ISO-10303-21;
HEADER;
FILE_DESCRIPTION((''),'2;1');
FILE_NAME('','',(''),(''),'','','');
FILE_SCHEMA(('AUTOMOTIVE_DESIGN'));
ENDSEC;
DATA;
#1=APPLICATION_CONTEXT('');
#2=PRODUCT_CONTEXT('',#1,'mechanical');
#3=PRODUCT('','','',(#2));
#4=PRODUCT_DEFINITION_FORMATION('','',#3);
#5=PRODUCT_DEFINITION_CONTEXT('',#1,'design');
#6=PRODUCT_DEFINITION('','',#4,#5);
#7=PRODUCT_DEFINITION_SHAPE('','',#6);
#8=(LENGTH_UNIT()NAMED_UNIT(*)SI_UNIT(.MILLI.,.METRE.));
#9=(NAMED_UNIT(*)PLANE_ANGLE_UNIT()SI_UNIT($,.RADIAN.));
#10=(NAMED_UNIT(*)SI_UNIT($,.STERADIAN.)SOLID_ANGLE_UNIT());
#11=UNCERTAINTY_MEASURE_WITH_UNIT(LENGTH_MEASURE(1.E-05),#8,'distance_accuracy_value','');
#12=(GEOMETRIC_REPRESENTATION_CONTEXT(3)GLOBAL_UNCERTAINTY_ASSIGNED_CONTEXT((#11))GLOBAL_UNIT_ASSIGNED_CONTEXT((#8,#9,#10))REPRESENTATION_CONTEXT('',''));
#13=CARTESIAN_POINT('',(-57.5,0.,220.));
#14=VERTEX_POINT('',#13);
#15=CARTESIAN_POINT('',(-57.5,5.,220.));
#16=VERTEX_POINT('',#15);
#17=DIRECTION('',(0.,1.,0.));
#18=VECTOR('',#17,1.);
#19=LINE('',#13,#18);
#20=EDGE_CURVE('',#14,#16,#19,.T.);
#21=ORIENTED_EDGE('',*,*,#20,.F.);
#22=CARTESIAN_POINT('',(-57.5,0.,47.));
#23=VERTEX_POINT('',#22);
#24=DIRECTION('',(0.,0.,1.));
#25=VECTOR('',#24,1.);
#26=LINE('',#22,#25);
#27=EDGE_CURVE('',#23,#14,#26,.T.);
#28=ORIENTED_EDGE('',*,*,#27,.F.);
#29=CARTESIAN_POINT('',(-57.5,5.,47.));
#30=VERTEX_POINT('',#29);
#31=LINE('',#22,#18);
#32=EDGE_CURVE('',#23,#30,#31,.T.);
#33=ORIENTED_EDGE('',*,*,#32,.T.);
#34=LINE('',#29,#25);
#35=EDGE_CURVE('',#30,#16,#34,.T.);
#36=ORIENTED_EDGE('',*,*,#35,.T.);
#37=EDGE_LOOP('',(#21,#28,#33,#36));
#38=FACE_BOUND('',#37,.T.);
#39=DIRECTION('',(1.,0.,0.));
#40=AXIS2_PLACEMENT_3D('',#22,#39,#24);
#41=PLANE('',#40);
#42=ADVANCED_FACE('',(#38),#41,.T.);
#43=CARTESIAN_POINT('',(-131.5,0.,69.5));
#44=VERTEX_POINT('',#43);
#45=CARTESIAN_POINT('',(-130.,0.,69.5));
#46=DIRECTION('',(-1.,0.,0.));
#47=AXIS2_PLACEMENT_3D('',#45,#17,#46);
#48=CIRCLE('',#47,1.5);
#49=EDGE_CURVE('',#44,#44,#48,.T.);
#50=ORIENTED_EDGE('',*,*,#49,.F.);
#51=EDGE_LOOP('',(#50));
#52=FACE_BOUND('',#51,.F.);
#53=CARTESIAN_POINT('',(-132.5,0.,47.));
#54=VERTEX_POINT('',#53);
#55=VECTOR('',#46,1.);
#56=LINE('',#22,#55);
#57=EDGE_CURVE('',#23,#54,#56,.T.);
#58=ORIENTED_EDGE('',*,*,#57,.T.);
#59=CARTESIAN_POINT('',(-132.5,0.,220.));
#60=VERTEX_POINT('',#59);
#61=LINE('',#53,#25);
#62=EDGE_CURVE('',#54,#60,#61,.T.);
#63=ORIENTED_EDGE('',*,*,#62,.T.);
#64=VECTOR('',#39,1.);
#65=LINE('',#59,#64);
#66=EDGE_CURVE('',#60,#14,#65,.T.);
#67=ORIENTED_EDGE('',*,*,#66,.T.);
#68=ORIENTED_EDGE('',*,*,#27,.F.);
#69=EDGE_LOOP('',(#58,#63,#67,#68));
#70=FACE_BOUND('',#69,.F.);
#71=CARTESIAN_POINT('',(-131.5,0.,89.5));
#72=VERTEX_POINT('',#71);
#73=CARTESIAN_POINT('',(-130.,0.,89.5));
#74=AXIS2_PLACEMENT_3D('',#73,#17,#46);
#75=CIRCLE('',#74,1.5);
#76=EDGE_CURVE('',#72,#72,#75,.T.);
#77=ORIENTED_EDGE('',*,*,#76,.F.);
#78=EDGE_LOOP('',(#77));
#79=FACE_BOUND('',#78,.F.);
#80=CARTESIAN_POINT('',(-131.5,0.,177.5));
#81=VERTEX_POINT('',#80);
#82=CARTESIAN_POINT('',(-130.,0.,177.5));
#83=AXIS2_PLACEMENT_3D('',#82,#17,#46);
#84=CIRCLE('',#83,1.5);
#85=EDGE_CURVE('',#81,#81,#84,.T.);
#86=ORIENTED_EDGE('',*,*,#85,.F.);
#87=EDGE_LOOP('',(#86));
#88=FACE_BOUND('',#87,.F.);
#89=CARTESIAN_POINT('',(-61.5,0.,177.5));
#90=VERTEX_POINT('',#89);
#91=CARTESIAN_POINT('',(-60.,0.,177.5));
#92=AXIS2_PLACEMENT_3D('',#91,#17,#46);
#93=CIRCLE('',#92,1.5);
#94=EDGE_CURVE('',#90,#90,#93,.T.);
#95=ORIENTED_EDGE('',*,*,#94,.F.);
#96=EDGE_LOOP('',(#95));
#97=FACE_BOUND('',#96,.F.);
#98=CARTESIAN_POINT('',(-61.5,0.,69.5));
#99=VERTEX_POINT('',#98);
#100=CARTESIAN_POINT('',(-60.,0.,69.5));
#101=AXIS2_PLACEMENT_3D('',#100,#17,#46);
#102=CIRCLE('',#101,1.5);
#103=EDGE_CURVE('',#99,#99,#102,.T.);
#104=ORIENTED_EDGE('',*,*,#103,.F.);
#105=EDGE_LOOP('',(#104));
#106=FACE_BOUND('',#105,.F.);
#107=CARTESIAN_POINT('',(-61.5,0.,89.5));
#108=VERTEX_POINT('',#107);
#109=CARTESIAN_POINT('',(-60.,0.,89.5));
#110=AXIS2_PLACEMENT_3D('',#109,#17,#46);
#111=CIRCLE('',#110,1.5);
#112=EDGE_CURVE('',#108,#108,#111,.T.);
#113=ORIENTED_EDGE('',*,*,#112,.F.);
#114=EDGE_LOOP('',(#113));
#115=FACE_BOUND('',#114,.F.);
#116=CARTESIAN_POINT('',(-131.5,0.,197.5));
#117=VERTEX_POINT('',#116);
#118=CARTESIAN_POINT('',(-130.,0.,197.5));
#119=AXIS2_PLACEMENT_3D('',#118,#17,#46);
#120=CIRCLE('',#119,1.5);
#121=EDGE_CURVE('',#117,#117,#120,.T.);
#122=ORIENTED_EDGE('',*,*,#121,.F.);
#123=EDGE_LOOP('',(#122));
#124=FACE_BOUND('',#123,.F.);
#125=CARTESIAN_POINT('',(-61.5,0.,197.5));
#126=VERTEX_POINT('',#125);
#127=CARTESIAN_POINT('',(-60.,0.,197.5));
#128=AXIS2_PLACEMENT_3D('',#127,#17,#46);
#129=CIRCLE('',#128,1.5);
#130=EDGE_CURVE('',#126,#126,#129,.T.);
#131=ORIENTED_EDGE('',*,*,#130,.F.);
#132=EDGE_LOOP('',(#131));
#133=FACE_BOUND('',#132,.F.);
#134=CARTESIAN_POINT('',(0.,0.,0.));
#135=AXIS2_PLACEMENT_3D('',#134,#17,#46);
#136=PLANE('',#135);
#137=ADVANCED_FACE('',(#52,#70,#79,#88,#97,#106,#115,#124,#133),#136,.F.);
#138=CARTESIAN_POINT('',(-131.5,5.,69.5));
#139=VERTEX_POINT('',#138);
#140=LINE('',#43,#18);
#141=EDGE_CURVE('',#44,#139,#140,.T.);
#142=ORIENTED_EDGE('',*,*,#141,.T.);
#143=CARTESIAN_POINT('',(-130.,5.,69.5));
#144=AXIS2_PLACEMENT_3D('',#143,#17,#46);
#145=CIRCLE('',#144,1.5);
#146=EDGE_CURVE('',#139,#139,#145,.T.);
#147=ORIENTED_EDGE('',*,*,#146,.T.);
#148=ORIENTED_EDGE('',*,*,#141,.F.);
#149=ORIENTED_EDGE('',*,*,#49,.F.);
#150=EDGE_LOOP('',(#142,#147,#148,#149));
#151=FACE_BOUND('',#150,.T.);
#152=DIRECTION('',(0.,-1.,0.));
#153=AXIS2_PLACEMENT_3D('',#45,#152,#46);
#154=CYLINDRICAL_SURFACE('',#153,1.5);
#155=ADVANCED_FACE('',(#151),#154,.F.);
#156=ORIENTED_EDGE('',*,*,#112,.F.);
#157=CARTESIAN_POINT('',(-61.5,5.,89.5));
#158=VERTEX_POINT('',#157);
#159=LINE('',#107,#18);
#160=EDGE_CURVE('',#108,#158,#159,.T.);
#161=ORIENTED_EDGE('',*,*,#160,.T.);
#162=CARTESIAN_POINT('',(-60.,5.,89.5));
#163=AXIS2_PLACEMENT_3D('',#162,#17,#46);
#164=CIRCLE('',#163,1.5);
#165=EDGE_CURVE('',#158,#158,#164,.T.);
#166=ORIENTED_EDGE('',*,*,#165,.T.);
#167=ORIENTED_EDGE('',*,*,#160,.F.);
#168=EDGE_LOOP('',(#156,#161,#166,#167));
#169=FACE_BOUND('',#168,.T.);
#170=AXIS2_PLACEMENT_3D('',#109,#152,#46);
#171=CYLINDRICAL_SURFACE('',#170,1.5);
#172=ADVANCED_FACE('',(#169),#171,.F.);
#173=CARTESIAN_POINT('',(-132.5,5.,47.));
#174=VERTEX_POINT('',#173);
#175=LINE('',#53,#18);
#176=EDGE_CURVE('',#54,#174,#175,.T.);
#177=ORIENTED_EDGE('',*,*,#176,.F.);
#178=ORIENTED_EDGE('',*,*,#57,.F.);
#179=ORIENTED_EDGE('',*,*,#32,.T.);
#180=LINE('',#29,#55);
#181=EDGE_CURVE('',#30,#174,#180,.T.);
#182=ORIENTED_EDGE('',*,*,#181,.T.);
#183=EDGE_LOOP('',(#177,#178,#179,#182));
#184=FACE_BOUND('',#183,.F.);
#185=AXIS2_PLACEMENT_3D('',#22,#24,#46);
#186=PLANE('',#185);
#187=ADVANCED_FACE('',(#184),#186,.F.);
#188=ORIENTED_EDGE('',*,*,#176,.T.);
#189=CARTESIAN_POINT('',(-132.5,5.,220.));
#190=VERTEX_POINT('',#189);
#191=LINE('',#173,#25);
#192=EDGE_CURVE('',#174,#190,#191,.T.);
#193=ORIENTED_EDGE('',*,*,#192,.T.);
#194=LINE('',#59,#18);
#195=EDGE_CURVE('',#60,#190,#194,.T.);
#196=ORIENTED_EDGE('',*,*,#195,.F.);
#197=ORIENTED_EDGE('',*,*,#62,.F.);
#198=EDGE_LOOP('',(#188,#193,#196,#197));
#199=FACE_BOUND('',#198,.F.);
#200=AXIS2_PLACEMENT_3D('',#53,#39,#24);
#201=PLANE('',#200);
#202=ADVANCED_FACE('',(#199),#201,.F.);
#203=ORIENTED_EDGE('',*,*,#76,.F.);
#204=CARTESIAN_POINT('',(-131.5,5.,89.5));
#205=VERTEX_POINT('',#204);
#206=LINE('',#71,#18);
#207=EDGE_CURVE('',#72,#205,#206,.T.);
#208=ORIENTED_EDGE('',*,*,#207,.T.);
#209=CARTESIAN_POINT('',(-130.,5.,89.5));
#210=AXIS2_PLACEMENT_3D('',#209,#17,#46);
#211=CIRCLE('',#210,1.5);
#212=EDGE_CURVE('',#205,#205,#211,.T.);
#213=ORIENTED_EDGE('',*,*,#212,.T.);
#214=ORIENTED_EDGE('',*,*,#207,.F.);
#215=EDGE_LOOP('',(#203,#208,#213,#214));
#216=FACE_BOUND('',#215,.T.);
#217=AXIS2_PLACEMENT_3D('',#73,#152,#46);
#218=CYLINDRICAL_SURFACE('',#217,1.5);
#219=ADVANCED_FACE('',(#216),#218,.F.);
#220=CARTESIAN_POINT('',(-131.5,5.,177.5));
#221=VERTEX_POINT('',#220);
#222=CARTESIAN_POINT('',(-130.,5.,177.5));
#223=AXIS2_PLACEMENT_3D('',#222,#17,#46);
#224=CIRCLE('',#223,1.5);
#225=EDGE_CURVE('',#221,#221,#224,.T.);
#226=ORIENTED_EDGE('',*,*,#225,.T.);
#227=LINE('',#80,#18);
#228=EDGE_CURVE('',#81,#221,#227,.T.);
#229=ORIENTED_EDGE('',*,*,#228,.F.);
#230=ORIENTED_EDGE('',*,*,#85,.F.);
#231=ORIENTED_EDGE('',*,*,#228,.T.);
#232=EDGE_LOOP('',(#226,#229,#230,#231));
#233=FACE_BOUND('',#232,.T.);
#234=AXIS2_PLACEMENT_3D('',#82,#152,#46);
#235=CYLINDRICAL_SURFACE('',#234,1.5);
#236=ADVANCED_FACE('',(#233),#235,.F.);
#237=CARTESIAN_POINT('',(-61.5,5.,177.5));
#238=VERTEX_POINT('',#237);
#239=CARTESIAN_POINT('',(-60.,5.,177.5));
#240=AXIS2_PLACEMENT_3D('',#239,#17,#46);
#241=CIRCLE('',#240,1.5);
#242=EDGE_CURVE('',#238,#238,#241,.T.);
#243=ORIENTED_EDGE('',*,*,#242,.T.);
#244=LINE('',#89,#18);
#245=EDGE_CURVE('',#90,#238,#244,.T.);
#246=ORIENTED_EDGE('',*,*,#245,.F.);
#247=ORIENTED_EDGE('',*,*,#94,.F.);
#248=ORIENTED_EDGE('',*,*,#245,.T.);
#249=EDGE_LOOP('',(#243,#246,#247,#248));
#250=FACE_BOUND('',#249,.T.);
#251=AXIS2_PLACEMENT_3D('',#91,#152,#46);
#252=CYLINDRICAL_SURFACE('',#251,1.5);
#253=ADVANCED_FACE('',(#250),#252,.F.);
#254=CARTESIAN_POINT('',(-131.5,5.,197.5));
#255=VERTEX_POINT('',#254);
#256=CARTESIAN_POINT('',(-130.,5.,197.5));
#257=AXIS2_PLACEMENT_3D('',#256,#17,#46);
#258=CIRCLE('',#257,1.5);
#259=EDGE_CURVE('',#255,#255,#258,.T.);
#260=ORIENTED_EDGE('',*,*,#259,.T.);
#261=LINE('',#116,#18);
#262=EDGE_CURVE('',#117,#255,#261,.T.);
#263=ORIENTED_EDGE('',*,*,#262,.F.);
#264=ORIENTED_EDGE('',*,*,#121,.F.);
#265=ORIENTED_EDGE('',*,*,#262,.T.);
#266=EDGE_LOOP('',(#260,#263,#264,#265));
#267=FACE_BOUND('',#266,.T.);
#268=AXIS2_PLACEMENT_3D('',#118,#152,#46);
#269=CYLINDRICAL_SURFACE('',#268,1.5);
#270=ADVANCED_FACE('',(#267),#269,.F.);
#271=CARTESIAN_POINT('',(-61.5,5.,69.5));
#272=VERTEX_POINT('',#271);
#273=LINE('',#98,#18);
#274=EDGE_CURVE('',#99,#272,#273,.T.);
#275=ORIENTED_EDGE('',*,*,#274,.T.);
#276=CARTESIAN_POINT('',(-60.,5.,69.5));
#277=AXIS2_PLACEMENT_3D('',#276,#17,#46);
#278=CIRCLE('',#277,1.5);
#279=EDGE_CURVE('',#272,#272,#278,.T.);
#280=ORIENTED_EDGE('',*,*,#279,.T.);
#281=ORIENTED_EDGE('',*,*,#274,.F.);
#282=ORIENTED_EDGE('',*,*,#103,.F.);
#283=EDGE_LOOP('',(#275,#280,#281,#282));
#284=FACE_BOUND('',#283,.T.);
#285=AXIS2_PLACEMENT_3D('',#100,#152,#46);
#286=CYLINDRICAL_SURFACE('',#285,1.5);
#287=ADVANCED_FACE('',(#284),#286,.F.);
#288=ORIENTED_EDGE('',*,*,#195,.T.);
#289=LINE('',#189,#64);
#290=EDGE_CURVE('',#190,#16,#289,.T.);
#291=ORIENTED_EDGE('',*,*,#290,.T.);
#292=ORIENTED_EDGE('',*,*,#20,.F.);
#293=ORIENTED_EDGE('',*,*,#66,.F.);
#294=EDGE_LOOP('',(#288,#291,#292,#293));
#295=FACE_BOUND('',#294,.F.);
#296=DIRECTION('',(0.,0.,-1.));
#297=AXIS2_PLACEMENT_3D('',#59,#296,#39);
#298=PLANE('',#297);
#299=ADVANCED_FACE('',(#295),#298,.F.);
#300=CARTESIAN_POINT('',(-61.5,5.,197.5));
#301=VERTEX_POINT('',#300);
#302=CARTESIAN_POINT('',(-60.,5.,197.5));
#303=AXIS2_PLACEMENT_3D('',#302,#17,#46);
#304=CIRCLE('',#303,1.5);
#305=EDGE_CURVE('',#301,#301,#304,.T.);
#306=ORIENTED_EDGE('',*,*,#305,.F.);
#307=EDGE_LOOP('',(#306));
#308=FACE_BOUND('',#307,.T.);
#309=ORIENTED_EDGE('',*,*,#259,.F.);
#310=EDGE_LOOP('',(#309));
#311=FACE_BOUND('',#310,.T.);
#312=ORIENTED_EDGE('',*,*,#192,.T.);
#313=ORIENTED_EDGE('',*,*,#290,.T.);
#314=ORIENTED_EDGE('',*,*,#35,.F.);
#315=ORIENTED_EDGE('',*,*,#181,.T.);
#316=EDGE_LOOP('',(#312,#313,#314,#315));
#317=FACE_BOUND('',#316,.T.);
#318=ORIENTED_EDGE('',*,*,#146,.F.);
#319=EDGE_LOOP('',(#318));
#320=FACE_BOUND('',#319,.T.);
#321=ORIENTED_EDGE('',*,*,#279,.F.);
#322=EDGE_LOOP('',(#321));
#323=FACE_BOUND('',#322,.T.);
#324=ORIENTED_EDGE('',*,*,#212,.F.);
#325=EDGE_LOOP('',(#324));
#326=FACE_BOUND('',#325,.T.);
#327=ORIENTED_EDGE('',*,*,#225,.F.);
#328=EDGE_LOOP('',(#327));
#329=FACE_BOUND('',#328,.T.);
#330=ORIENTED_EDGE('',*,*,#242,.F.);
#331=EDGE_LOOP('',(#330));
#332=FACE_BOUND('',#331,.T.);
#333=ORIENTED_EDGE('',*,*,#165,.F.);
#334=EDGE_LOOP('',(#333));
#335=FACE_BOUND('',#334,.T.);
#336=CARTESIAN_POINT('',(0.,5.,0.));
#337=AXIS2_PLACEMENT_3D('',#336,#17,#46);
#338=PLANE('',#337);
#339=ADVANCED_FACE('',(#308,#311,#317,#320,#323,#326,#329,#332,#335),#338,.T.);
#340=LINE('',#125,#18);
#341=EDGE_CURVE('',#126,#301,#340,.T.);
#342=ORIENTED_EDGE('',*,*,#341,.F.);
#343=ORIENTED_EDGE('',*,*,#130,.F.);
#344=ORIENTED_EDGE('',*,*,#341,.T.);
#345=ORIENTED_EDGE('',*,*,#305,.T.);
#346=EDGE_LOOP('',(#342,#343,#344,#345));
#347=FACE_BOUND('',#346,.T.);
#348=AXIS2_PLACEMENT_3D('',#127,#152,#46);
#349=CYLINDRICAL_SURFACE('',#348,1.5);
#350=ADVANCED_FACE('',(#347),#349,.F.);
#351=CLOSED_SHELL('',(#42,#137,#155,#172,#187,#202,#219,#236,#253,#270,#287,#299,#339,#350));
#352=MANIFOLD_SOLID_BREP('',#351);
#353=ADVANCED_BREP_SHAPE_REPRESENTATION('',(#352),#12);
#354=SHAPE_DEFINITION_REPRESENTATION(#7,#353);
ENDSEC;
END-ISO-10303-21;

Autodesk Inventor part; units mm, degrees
ref_plane "YZ Plane" through (0, 0, 0) normal (1, 0, 0) x (0, 1, 0)
ref_plane "XZ Plane" through (0, 0, 0) normal (0, 1, 0) x (-1, 0, 0)
ref_plane "XY Plane" through (0, 0, 0) normal (0, 0, 1) x (1, 0, 0)
sketch "Эскиз1" plane through (0, 0, 0) normal (0, 1, 0) x (-1, 0, 0)
  line L0 (57.5, 47) -> (132.5, 47)
  line L1 (132.5, 47) -> (132.5, 220)
  line L2 (132.5, 220) -> (57.5, 220)
  line L3 (57.5, 47) -> (57.5, 220)
  circle A0 centre (130, 197.5) radius 1.5
  circle A1 centre (130, 177.5) radius 1.5
  circle A2 centre (130, 69.5) radius 1.5
  circle A3 centre (130, 89.5) radius 1.5
  circle A4 centre (60, 197.5) radius 1.5
  circle A5 centre (60, 177.5) radius 1.5
  circle A6 centre (60, 69.5) radius 1.5
  circle A7 centre (60, 89.5) radius 1.5
  point P0 (0, 0)
  dimension "d10" = 3
  dimension "d11" = 3
extrude "Выдавливание1" add sketch "Эскиз1" along normal blind 5
properties part number "Крышка на отсек с батареей" material "Пластик ПЭТ"
